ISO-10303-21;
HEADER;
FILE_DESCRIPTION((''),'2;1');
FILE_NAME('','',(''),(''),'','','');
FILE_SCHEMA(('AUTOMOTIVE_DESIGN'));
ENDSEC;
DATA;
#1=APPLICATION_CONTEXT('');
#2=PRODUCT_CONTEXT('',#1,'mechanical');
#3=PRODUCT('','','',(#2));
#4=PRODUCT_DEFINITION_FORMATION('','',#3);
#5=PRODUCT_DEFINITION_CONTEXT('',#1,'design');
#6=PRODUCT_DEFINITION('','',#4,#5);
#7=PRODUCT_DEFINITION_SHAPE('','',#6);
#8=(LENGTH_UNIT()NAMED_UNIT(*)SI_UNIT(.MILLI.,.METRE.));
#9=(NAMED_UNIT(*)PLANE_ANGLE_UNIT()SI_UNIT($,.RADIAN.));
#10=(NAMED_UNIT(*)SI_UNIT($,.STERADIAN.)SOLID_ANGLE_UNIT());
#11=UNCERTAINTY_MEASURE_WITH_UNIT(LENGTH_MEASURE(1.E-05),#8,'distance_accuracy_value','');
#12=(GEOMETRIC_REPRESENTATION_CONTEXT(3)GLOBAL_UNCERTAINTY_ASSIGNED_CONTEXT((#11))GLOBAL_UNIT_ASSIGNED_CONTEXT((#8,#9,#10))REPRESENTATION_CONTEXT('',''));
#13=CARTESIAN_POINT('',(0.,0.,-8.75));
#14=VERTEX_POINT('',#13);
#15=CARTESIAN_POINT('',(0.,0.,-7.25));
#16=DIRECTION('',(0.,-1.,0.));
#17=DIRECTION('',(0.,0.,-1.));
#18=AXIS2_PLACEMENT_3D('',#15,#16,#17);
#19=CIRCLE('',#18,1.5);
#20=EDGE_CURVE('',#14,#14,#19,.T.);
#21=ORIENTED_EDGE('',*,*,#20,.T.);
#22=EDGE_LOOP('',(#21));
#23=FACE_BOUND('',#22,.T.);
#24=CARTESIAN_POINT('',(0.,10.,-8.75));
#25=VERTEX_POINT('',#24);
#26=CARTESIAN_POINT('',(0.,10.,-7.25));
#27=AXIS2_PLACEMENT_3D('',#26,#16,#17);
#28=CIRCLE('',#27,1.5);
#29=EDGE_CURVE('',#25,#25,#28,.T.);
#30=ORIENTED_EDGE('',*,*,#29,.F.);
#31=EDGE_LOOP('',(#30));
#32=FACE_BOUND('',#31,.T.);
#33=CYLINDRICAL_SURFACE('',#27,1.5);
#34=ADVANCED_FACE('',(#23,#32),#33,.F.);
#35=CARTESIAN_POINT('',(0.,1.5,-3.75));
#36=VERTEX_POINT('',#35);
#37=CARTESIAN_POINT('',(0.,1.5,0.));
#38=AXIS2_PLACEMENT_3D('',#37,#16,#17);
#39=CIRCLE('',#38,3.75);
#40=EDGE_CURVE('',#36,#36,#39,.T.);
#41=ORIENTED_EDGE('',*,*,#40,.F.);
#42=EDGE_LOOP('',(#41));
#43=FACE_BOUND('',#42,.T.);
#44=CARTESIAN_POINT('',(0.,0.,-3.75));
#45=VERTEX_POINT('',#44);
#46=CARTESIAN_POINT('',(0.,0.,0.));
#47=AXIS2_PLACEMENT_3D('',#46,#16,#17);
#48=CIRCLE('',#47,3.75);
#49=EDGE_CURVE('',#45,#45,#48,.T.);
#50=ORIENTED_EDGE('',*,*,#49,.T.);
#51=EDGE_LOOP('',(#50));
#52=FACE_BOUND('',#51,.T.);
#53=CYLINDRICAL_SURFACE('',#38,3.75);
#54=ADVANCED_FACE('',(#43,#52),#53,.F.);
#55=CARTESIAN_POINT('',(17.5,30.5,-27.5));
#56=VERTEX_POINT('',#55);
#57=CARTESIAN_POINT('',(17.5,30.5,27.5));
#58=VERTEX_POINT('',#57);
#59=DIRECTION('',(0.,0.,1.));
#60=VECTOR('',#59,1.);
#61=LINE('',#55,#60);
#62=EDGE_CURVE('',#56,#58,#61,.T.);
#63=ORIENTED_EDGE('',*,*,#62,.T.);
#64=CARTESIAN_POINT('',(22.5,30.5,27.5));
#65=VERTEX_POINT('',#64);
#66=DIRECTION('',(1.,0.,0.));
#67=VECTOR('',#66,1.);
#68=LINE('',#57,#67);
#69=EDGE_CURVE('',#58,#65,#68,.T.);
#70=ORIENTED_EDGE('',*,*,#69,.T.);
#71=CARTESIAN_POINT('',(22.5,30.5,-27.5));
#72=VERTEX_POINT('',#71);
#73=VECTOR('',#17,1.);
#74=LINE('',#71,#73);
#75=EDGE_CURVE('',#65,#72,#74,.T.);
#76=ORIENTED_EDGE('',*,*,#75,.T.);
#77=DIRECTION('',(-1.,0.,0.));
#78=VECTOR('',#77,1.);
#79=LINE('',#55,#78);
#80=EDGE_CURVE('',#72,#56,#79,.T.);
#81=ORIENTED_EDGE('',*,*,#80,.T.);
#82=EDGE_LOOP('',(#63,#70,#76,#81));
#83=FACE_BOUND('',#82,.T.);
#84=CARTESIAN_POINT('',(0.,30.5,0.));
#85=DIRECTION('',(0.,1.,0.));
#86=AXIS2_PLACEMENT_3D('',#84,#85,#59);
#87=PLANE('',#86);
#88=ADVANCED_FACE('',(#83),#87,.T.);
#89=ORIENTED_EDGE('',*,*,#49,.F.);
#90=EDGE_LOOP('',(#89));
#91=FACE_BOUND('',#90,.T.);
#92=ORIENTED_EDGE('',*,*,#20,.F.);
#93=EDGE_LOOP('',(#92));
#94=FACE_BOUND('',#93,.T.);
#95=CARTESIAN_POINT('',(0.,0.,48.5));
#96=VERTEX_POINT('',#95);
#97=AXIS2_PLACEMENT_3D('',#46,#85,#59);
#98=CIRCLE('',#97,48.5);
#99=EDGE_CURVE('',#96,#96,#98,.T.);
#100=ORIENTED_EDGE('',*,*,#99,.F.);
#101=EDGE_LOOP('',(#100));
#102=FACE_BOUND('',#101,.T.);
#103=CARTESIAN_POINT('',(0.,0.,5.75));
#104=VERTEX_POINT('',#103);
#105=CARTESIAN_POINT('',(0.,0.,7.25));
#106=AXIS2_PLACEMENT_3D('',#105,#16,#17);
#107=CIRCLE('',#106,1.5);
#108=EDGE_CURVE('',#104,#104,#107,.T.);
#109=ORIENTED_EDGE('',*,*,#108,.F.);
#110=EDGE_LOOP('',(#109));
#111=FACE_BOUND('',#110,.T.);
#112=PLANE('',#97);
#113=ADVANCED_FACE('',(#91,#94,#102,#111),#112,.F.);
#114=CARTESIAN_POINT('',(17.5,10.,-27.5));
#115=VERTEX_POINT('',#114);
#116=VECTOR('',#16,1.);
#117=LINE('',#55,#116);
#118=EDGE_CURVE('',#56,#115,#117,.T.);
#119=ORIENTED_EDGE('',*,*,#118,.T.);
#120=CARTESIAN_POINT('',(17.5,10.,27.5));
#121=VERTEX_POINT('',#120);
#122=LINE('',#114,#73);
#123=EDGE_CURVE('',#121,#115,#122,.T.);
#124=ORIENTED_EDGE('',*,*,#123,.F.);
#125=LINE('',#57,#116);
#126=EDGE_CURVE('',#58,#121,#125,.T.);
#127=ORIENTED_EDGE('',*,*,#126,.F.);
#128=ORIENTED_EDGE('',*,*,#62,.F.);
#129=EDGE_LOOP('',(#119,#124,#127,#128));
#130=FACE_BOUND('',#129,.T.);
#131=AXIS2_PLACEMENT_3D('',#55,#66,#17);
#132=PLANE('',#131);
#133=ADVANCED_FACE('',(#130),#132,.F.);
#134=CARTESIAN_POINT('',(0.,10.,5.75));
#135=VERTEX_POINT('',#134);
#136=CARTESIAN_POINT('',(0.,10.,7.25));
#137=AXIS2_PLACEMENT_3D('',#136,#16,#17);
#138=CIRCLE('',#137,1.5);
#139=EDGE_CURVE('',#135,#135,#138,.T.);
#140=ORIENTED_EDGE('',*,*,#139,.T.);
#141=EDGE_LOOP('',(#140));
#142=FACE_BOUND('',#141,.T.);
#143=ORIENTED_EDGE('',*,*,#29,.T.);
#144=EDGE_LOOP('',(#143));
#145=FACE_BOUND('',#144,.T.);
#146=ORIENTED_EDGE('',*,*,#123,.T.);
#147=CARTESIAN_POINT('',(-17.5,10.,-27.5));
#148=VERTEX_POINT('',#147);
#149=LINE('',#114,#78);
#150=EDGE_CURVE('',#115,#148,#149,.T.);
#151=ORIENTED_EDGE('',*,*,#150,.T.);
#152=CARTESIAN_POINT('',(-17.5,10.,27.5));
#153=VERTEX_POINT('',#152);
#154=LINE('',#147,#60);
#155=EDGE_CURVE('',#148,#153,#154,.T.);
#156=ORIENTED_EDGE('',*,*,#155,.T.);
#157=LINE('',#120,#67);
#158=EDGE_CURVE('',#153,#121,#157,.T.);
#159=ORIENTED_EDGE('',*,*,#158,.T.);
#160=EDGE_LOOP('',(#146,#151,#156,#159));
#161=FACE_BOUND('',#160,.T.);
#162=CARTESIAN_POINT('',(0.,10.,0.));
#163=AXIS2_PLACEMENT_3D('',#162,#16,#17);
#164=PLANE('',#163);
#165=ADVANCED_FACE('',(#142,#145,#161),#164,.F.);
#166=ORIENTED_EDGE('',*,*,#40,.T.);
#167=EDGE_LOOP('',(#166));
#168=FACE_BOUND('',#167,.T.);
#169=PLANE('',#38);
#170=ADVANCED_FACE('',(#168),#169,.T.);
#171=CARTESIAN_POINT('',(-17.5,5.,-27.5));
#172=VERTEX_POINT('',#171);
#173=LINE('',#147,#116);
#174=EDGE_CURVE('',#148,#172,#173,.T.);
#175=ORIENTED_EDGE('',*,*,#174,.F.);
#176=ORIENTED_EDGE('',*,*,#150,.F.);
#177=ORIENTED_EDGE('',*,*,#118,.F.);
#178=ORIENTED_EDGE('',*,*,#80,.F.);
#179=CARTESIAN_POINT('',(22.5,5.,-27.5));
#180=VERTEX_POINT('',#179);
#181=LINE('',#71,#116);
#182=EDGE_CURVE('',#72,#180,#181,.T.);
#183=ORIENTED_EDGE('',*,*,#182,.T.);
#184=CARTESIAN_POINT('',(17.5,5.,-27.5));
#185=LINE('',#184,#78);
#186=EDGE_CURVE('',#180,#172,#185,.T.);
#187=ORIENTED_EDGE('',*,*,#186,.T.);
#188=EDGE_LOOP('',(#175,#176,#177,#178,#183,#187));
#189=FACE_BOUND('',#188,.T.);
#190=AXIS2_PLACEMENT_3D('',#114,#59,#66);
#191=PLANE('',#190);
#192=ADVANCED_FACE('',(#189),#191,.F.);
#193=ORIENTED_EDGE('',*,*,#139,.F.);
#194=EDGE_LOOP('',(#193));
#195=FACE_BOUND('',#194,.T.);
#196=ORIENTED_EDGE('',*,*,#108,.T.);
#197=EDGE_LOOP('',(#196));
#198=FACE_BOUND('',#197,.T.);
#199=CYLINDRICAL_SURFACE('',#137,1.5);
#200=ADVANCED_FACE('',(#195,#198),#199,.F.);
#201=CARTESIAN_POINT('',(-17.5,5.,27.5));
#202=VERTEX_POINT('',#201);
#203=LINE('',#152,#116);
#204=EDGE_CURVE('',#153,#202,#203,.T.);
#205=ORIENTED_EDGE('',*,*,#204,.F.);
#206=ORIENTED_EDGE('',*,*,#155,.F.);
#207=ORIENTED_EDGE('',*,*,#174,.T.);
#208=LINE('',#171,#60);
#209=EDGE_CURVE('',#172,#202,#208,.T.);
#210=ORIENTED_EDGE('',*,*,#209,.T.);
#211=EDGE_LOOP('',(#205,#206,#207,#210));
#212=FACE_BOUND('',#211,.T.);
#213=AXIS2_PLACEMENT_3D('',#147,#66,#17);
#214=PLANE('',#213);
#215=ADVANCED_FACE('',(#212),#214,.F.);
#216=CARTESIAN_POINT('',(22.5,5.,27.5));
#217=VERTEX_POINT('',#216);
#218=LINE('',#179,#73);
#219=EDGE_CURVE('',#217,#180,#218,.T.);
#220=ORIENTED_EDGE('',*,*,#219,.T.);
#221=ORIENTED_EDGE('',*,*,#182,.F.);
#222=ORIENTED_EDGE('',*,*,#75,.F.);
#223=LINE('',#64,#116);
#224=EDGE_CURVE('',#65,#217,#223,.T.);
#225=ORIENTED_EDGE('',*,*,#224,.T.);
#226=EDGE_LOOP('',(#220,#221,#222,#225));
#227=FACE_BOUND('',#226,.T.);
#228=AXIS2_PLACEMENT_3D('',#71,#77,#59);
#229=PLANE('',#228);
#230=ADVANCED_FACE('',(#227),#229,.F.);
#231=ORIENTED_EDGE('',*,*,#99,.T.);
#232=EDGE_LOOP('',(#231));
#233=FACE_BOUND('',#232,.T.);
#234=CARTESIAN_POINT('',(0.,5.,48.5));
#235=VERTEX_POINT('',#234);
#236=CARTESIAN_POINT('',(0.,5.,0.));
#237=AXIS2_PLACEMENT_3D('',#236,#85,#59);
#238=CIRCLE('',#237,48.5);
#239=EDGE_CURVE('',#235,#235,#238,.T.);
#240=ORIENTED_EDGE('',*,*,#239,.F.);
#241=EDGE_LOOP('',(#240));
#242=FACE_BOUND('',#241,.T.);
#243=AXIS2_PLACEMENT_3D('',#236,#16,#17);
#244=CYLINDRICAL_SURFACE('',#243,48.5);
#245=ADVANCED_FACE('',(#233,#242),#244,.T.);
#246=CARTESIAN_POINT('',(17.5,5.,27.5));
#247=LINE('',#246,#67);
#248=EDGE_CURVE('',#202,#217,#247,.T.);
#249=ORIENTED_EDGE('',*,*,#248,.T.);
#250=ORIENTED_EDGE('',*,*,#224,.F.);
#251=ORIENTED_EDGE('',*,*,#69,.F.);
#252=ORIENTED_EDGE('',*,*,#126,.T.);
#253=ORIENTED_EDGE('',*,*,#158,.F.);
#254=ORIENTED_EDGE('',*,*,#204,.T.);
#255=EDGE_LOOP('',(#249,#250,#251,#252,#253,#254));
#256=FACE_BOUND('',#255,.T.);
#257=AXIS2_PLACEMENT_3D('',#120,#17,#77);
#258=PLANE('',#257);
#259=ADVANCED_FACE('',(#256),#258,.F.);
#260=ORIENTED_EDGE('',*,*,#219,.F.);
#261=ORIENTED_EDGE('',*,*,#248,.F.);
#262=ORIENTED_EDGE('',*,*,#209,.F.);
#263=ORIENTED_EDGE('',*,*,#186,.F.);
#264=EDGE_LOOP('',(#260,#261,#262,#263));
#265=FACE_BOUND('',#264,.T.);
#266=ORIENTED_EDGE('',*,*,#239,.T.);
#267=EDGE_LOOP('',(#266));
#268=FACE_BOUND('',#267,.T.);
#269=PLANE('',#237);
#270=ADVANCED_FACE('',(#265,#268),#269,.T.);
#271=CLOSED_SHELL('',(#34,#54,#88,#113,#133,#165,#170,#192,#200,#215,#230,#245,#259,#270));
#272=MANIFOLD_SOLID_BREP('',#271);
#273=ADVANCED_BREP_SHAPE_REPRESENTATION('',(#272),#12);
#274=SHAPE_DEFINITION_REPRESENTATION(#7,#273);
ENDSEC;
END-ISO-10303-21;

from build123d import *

# Parameters (mm, degrees)
SKETCH2_R           = 48.5
BOSS_EXTRUDE1_DEPTH = 5
SKETCH6_W           = 35
SKETCH6_H           = 55
BOSS_EXTRUDE2_DEPTH = 5
SKETCH4_R           = 1.5
CUT_EXTRUDE2_DEPTH  = 70.314500647
SKETCH5_R           = 3.75
CUT_EXTRUDE3_DEPTH  = 1.5
SKETCH7_W           = 5
SKETCH7_H           = 55
BOSS_EXTRUDE3_DEPTH = 25.5


with BuildPart() as part:
    # Sketch2 → Boss-Extrude1 (new body)
    with BuildSketch(Plane(origin=(0, 0, 0), x_dir=(1, 0, 0), z_dir=(0, 1, 0))):
        with Locations(Location((0, 0, 0), (0, 0, 270))):
            Circle(SKETCH2_R)
    extrude(amount=BOSS_EXTRUDE1_DEPTH)

    # Sketch6 → Boss-Extrude2 (add)
    with BuildSketch(Plane(origin=(0, 5, 0), x_dir=(1, 0, 0), z_dir=(0, 1, 0))):
        Rectangle(SKETCH6_W, SKETCH6_H)
    extrude(amount=BOSS_EXTRUDE2_DEPTH)

    # Sketch4 → Cut-Extrude2 (cut, through all)
    with BuildSketch(Plane.XZ):
        with Locations(Location((0, 7.25, 0), (0, 0, 270))):
            Circle(SKETCH4_R)
        with Locations(Location((0, -7.25, 0), (0, 0, 270))):
            Circle(SKETCH4_R)
    extrude(amount=-CUT_EXTRUDE2_DEPTH, mode=Mode.SUBTRACT)

    # Sketch5 → Cut-Extrude3 (cut)
    with BuildSketch(Plane.XZ):
        with Locations(Location((0, 0, 0), (0, 0, 270))):
            Circle(SKETCH5_R)
    extrude(amount=-CUT_EXTRUDE3_DEPTH, mode=Mode.SUBTRACT)

    # Sketch7 → Boss-Extrude3 (add)
    with BuildSketch(Plane(origin=(0, 5, 0), x_dir=(1, 0, 0), z_dir=(0, 1, 0))):
        with Locations((20, 0)):
            Rectangle(SKETCH7_W, SKETCH7_H)
    extrude(amount=BOSS_EXTRUDE3_DEPTH)


solid = part.part
